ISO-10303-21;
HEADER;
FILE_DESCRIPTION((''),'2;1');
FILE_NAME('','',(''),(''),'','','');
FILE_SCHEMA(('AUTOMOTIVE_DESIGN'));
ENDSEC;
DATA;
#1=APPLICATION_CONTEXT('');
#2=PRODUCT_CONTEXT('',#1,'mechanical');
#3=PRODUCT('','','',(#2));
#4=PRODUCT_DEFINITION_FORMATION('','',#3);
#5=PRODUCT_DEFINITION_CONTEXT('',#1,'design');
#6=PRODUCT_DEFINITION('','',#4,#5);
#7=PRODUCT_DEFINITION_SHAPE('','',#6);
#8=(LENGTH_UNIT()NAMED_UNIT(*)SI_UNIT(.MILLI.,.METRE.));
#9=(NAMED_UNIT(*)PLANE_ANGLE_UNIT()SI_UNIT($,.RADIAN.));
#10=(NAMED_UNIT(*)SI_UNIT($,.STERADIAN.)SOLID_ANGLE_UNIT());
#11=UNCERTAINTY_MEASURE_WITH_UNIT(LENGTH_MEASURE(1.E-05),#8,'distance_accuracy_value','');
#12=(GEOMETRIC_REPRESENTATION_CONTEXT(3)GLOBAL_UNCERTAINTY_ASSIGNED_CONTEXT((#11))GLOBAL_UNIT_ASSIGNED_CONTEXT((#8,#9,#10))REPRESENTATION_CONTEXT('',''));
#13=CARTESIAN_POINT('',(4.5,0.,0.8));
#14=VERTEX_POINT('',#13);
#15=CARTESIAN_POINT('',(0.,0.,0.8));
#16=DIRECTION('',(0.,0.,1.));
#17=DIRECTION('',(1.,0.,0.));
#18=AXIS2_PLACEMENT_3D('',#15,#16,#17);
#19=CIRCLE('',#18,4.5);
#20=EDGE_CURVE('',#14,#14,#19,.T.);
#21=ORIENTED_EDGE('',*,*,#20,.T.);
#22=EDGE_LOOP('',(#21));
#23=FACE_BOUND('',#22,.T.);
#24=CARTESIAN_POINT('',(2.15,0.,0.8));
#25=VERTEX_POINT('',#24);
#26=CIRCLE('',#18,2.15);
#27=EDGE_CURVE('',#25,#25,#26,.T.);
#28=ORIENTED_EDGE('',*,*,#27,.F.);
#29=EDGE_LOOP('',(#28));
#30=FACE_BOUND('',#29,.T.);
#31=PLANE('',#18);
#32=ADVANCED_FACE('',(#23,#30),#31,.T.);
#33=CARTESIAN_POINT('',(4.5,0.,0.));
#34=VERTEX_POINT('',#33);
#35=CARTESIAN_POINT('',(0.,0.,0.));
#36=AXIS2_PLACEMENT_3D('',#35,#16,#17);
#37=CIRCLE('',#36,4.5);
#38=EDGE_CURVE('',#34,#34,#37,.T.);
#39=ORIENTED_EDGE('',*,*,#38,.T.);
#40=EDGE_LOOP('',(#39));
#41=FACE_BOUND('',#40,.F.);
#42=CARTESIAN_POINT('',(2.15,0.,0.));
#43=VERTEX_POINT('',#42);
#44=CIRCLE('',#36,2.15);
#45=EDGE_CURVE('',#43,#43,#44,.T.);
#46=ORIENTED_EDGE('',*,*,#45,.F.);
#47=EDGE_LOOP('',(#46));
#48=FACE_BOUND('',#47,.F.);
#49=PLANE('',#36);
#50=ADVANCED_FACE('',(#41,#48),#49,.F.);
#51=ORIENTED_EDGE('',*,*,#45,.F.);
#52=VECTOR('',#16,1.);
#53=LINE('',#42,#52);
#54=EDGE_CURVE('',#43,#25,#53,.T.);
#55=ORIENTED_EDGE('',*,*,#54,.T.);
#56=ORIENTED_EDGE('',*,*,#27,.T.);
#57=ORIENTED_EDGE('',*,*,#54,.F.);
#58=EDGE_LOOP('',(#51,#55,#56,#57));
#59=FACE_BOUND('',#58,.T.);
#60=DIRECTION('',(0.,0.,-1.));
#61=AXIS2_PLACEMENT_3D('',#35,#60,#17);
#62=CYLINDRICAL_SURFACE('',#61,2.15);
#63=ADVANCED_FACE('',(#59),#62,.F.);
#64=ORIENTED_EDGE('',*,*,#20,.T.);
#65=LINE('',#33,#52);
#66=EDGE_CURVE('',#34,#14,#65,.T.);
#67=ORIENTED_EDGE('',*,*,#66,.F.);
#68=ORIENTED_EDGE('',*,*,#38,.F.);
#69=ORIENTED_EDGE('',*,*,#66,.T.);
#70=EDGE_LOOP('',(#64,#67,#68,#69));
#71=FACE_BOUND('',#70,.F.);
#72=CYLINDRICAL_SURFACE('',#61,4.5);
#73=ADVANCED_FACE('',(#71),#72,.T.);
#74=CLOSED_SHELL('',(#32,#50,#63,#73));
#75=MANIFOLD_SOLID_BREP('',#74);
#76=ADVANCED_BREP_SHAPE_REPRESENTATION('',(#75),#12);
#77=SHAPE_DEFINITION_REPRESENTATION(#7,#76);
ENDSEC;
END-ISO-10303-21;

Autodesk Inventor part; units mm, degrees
ref_plane "YZ Plane" through (0, 0, 0) normal (1, 0, 0) x (0, 1, 0)
ref_plane "XZ Plane" through (0, 0, 0) normal (0, 1, 0) x (-1, 0, 0)
ref_plane "XY Plane" through (0, 0, 0) normal (0, 0, 1) x (1, 0, 0)
sketch "Sketch1" plane through (0, 0, 0) normal (0, 0, 1) x (1, 0, 0)
  circle A0 centre (0, 0) radius 2.15
  circle A1 centre (0, 0) radius 4.5
  dimension "d0" = 4.3
  dimension "d1" = 9
extrude "Extrusion1" add sketch "Sketch1" along normal blind 0.8
properties part number "Arandela Plana Tipo A DIN 125 - M4"
